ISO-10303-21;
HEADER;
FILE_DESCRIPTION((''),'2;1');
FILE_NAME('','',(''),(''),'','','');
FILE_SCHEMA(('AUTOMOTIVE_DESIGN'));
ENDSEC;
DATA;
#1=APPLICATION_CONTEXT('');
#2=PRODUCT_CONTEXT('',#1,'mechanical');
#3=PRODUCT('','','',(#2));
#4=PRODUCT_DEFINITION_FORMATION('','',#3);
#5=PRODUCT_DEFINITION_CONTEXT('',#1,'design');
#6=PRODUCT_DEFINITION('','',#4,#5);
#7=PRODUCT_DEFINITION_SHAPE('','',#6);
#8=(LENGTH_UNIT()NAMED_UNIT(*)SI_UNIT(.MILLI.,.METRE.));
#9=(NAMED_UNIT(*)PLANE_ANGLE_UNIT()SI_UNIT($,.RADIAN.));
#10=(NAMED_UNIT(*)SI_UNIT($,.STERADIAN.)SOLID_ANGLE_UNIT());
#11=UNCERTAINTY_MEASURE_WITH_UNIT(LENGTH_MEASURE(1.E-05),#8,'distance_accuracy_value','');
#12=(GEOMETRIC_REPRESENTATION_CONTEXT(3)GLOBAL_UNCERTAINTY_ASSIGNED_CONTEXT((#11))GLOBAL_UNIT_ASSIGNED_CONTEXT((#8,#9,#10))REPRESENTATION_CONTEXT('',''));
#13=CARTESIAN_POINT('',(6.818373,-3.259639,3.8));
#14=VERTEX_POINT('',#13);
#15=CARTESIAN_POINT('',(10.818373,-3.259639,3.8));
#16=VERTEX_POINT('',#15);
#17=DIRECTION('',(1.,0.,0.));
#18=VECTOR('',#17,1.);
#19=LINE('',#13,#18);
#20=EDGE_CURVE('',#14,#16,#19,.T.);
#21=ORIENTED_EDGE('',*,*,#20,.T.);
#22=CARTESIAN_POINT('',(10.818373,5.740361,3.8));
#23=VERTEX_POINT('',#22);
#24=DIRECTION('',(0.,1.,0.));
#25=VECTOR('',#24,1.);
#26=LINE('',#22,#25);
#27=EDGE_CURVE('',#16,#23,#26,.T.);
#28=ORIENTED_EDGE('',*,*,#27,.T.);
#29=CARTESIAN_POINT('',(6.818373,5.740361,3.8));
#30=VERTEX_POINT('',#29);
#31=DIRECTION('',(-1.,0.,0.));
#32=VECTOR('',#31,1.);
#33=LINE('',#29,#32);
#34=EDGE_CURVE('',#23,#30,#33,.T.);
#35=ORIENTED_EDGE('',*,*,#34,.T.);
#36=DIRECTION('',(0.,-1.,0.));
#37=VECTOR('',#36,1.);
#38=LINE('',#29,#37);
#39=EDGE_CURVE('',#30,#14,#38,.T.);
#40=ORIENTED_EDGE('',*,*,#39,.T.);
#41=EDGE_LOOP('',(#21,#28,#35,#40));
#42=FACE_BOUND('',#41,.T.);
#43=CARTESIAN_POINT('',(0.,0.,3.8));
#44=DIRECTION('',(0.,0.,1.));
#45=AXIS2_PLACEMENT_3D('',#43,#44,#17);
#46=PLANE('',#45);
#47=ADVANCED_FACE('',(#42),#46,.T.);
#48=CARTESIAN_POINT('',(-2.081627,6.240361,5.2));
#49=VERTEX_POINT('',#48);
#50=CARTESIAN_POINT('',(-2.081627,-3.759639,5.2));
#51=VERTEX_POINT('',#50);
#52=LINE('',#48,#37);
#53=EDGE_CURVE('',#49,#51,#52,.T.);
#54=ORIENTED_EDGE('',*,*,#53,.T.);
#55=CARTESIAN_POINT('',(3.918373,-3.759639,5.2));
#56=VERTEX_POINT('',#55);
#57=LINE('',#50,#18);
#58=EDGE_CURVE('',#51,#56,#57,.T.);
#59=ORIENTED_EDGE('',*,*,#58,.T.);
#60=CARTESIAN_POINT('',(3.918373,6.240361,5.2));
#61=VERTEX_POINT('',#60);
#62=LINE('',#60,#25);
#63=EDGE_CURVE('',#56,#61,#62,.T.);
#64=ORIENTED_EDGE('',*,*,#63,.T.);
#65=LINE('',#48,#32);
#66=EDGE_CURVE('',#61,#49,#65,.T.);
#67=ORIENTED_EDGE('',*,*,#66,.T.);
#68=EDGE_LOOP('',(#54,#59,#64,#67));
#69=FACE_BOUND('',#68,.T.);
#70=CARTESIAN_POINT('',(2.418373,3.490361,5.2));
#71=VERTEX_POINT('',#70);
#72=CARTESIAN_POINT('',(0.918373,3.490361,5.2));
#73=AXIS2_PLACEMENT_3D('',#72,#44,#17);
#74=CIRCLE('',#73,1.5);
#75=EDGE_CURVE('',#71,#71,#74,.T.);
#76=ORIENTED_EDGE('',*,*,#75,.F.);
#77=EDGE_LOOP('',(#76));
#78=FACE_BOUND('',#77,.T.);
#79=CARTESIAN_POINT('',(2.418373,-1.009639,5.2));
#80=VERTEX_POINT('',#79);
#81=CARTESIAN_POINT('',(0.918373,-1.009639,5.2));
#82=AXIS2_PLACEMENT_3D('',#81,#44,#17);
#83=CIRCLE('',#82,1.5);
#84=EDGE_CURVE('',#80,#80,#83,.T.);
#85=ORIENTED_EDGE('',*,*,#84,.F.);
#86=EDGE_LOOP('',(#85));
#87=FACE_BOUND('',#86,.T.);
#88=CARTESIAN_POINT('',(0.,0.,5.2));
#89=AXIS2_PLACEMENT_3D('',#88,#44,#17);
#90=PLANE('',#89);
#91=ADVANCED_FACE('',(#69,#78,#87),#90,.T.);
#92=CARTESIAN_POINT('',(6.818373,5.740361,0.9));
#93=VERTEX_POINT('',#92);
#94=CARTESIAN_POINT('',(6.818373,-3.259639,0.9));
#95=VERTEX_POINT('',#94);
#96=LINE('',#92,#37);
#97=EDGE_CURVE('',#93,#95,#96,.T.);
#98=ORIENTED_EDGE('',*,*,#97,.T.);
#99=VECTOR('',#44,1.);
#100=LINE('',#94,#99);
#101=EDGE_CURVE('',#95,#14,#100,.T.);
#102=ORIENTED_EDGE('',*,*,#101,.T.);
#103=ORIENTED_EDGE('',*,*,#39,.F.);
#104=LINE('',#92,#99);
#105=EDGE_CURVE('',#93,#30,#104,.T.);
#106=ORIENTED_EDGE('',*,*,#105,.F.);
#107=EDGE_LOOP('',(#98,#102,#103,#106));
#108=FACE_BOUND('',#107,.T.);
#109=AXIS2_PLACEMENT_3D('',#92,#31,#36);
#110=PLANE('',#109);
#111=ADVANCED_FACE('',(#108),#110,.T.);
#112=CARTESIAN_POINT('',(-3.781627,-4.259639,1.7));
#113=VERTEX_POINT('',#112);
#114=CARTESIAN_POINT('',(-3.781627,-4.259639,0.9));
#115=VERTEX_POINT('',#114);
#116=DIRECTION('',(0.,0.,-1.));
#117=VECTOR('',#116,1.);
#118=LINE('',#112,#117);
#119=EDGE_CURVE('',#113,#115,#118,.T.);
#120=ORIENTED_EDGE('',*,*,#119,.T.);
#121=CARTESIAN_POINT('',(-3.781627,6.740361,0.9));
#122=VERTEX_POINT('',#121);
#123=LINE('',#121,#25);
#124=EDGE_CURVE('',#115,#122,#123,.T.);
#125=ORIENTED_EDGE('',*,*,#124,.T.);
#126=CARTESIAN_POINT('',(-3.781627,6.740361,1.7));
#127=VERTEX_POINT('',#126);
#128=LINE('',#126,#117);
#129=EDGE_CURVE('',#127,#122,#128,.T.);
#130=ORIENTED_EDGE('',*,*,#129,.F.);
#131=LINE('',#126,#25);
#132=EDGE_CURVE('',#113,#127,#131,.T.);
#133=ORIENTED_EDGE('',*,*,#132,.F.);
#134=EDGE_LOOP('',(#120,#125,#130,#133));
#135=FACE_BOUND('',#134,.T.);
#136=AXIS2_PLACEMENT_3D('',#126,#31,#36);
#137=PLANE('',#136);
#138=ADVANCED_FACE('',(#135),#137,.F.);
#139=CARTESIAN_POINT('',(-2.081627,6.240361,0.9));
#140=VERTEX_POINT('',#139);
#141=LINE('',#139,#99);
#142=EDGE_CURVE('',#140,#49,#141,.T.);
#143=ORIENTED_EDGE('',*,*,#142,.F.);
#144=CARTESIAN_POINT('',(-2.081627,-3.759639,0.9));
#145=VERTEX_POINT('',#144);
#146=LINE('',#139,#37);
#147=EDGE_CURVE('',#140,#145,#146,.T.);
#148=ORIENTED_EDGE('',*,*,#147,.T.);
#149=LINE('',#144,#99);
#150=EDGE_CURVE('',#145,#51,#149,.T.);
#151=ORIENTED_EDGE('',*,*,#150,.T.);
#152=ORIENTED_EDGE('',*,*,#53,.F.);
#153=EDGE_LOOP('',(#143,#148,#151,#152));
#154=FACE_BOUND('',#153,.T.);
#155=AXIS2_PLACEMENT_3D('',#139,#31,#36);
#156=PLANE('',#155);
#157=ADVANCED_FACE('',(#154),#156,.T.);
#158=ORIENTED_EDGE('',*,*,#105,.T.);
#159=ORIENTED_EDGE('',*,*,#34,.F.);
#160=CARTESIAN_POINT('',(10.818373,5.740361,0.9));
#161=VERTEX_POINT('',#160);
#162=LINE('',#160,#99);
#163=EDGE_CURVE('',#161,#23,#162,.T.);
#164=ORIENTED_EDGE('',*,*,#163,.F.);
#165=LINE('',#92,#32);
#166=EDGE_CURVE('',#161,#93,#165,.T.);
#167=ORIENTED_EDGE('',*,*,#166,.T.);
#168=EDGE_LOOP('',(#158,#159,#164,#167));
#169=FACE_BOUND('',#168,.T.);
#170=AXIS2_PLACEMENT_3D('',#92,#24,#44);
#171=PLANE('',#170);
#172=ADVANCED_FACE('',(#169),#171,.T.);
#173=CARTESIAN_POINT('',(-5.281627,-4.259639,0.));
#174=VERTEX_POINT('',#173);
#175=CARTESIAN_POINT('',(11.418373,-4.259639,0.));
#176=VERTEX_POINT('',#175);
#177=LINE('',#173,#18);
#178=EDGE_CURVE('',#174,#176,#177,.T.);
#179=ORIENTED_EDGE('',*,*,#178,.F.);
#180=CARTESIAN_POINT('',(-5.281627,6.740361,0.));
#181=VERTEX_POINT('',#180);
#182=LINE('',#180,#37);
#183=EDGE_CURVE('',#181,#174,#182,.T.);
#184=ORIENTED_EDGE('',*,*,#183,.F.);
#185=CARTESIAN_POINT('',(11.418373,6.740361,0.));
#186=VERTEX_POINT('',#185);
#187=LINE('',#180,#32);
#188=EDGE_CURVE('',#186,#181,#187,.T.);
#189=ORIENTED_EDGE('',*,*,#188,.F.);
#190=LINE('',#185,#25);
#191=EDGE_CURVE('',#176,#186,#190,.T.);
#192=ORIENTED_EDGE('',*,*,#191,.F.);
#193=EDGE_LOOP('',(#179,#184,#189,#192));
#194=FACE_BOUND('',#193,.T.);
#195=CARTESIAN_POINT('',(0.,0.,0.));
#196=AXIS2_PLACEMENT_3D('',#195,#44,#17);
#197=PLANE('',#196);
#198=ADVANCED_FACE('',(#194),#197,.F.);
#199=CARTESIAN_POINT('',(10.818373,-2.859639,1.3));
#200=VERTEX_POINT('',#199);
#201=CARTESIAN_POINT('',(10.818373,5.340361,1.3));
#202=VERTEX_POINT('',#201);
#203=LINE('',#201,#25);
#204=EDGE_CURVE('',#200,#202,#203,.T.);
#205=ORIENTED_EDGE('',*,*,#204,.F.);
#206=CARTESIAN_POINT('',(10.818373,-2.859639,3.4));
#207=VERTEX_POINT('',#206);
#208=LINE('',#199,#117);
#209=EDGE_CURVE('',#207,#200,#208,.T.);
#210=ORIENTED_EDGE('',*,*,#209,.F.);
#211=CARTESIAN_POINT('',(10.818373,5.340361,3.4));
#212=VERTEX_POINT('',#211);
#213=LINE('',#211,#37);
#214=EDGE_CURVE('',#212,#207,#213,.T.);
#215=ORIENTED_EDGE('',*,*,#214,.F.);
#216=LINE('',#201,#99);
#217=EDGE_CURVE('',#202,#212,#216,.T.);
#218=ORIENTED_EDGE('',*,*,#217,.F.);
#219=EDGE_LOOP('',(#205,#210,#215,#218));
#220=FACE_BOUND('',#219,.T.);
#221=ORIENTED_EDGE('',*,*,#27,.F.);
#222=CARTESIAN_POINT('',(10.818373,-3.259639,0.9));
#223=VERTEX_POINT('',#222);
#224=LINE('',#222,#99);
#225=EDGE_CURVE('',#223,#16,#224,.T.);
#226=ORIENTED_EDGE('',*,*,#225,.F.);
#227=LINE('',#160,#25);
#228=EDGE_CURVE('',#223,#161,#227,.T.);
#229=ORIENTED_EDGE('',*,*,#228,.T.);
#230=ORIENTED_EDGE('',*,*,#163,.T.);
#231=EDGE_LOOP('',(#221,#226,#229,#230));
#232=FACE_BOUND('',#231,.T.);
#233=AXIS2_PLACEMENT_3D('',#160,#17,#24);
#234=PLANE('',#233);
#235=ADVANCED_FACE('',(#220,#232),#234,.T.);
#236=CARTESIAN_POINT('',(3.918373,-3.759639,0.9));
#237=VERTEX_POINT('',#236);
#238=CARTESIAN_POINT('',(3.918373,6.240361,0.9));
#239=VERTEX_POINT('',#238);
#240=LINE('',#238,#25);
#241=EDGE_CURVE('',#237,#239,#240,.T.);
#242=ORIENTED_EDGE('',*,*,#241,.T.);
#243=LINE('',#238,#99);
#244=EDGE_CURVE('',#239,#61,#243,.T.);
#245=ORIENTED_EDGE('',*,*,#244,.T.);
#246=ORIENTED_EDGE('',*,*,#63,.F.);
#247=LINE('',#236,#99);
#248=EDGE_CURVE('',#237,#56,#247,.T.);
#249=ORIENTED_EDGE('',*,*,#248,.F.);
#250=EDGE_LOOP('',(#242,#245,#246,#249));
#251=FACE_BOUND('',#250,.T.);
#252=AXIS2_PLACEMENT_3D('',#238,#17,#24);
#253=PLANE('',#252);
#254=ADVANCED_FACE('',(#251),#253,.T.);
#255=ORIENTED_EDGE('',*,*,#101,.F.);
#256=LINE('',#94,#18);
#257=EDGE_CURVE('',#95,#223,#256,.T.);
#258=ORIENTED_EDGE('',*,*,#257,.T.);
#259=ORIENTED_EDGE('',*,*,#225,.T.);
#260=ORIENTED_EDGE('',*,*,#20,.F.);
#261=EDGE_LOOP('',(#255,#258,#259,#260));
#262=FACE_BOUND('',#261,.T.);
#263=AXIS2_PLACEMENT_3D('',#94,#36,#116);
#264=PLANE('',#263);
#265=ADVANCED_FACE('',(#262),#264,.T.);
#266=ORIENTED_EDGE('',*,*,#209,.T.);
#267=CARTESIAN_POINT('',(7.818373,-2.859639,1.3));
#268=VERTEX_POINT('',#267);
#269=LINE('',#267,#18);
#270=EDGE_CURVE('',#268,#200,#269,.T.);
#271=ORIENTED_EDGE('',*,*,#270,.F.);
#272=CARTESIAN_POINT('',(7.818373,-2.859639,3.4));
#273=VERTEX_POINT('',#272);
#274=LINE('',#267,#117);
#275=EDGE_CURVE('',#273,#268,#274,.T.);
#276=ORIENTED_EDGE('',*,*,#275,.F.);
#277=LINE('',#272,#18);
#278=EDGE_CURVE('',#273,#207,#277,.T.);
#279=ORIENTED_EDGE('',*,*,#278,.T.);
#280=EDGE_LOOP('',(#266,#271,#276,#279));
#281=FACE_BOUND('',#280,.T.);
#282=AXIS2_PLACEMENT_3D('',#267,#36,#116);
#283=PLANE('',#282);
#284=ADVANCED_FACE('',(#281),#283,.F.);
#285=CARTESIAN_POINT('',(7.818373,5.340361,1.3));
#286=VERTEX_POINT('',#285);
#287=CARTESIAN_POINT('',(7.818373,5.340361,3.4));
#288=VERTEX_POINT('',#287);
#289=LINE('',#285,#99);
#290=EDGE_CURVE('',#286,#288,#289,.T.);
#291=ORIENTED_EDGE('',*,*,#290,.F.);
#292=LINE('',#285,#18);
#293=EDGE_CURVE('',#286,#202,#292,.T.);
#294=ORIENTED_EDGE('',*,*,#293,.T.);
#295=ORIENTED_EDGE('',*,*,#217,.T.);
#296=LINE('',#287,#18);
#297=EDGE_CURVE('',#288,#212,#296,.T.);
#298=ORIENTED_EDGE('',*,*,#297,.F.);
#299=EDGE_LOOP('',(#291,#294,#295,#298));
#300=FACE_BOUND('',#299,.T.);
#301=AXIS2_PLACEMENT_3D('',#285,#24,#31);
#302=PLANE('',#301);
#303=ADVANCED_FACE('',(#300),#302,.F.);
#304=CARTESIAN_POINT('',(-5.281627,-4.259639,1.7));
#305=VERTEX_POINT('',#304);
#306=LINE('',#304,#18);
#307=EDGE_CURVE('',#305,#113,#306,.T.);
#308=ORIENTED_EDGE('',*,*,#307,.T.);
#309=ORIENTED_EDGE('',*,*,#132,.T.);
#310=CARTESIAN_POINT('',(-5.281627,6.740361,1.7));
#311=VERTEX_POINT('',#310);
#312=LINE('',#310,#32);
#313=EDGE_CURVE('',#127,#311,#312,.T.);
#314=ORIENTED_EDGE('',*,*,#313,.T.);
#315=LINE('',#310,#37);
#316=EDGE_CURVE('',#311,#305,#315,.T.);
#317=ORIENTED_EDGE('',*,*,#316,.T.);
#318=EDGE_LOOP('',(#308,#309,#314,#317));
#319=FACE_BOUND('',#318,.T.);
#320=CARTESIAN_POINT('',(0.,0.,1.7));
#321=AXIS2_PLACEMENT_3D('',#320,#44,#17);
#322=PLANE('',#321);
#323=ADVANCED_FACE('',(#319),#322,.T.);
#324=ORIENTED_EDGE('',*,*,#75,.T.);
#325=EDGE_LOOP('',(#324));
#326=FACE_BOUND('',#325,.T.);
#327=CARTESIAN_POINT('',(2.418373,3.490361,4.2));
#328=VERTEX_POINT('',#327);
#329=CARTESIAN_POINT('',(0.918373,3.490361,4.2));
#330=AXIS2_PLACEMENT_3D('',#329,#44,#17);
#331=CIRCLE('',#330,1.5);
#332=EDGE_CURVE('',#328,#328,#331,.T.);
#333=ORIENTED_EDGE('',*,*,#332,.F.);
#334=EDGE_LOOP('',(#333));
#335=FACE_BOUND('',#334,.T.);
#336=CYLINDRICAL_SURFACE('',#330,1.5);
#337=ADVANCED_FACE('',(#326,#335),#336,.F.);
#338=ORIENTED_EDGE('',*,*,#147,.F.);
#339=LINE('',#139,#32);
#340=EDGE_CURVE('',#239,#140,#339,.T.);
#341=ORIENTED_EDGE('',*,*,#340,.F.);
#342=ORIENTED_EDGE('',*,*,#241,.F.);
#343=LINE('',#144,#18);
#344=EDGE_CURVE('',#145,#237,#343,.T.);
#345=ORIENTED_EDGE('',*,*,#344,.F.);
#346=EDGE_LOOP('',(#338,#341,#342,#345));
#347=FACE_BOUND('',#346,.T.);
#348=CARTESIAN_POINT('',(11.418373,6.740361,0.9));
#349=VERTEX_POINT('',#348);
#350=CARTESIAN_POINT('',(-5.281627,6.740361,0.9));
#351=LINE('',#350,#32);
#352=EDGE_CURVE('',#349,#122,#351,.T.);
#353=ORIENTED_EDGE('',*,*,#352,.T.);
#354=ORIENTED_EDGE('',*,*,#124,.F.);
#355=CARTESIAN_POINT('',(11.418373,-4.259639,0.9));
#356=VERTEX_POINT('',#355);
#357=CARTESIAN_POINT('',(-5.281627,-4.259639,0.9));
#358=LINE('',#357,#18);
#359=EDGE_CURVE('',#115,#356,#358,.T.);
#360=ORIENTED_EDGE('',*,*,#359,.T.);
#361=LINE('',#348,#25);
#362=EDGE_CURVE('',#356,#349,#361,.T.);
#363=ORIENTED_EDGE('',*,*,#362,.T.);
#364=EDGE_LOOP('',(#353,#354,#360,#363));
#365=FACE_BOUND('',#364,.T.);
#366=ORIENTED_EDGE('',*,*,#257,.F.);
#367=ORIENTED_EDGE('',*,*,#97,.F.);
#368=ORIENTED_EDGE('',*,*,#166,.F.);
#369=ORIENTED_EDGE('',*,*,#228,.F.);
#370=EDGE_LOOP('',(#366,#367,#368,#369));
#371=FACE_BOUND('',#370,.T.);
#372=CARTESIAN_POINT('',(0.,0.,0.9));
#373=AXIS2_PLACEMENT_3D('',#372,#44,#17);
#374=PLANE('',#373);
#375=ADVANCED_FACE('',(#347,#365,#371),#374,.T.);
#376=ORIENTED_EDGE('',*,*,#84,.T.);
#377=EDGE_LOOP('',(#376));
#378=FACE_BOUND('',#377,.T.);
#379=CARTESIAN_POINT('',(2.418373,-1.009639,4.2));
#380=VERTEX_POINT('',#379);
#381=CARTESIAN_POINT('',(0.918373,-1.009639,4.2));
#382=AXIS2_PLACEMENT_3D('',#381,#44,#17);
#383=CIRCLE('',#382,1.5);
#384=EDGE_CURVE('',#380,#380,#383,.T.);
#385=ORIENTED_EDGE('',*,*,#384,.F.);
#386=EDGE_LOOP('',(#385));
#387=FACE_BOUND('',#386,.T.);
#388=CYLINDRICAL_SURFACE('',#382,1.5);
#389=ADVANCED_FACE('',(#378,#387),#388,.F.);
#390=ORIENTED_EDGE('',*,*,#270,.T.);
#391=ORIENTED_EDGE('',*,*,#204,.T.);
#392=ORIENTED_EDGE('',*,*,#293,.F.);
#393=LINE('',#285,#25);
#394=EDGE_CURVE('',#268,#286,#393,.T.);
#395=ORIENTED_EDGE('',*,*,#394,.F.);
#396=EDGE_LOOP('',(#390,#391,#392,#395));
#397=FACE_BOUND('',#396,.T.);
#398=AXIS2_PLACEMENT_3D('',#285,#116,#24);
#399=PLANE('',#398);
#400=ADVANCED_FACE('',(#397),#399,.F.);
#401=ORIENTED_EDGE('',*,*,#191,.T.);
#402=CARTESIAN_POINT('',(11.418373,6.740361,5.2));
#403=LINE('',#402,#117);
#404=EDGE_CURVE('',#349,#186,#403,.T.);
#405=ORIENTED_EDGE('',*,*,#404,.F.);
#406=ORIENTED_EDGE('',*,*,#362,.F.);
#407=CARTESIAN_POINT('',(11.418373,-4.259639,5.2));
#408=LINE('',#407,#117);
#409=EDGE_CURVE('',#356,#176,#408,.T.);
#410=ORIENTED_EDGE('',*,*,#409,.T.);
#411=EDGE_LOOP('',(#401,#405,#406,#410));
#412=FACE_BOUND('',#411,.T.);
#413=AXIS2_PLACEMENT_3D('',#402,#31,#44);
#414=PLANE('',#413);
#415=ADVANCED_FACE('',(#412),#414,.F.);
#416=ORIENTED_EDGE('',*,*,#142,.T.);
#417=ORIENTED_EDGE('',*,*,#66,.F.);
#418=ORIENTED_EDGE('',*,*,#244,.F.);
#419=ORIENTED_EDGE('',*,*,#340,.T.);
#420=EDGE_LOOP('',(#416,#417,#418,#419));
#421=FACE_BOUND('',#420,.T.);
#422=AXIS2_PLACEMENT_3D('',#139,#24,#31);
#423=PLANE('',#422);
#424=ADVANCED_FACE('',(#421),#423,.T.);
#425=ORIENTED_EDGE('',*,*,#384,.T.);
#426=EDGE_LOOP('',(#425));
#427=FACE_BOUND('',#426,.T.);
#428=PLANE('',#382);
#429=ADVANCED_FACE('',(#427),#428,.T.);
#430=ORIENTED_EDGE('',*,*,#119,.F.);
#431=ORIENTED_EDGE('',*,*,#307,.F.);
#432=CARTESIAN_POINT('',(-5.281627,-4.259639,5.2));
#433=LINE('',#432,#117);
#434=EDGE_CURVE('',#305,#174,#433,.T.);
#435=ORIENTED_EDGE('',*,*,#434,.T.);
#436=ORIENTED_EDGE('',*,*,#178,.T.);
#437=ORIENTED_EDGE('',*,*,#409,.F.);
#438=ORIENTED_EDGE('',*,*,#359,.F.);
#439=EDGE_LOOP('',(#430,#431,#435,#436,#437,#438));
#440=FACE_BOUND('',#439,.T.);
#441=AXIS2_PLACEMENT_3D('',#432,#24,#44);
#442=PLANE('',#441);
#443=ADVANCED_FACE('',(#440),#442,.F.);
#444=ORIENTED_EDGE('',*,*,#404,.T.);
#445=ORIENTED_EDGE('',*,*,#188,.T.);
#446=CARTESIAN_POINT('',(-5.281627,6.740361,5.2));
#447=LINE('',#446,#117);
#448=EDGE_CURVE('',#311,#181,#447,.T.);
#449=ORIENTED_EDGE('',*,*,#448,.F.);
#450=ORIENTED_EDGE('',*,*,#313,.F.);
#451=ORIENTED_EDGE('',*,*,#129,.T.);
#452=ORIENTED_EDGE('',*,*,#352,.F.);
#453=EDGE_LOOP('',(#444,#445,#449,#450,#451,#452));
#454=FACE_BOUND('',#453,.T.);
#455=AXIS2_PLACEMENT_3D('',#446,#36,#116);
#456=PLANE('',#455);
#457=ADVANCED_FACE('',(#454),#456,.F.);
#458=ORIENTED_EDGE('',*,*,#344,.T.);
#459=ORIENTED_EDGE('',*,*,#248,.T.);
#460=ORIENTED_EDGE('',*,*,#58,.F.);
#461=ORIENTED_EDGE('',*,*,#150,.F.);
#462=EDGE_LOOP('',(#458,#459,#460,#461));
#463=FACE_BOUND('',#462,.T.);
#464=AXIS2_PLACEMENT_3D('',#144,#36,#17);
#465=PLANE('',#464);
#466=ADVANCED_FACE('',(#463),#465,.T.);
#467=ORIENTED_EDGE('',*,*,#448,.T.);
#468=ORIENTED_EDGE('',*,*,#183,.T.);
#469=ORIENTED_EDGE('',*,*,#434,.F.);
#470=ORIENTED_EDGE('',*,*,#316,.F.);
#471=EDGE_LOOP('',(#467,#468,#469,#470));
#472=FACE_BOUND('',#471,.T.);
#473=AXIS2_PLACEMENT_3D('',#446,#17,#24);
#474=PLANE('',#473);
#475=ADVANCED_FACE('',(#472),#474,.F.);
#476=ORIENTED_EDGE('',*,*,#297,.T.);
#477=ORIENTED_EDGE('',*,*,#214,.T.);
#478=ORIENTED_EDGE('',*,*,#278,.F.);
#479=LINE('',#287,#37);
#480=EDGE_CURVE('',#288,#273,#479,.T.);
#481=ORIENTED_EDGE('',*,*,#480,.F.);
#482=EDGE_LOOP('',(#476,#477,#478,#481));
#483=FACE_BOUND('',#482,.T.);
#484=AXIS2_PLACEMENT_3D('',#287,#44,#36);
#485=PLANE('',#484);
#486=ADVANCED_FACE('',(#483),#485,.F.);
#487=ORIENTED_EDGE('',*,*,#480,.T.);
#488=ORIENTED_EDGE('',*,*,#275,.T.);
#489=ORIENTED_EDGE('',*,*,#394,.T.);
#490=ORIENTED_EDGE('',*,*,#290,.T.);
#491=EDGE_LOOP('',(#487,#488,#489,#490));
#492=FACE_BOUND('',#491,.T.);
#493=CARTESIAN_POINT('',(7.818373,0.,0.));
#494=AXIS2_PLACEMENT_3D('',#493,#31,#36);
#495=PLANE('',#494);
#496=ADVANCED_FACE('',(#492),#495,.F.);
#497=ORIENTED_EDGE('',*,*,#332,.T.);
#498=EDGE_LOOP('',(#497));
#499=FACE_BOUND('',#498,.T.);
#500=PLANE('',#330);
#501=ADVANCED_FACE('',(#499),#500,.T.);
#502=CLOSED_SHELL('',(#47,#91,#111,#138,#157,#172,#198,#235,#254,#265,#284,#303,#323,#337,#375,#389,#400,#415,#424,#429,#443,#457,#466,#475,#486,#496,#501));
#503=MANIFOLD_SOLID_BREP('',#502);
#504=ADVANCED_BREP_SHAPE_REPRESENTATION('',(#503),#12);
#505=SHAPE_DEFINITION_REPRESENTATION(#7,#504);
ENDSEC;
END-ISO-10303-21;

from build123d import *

# Parameters (mm, degrees)
ESBO_O1_W                = 16.7
ESBO_O1_H                = 11
RESSALTO_EXTRUS_O1_DEPTH = 5.2
ESBO_O2_W                = 16.7
ESBO_O2_H                = 11
ESBO_O2_W_2              = 6
ESBO_O2_H_2              = 10
ESBO_O2_W_3              = 4
ESBO_O2_H_3              = 9
CORTE_EXTRUS_O1_DEPTH    = 4.3
ESBO_O3_W                = 4
ESBO_O3_H                = 9
CORTE_EXTRUS_O2_DEPTH    = 1.4
ESBO_O4_R                = 1.5
CORTE_EXTRUS_O3_DEPTH    = 1
ESBO_O5_W                = 2.1
ESBO_O5_H                = 8.2
CORTE_EXTRUS_O4_DEPTH    = 3
ESBO_O6_W                = 1.5
ESBO_O6_H                = 11
RESSALTO_EXTRUS_O2_DEPTH = 0.8


with BuildPart() as part:
    # Esboço1 → Ressalto-extrusão1 (new body)
    with BuildSketch(Plane.XY):
        with Locations((3.068373494, 1.240361446)):
            Rectangle(ESBO_O1_W, ESBO_O1_H)
    extrude(amount=RESSALTO_EXTRUS_O1_DEPTH)

    # Esboço2 → Corte-extrusão1 (cut)
    with BuildSketch(Plane.XY.offset(5.2)):
        with Locations((3.068373494, 1.240361446)):
            Rectangle(ESBO_O2_W, ESBO_O2_H)
        with Locations((0.918373494, 1.240361446)):
            Rectangle(ESBO_O2_W_2, ESBO_O2_H_2, mode=Mode.SUBTRACT)
        with Locations((8.818373494, 1.240361446)):
            Rectangle(ESBO_O2_W_3, ESBO_O2_H_3, mode=Mode.SUBTRACT)
    extrude(amount=-CORTE_EXTRUS_O1_DEPTH, mode=Mode.SUBTRACT)

    # Esboço3 → Corte-extrusão2 (cut)
    with BuildSketch(Plane.XY.offset(5.2)):
        with Locations((8.818373494, 1.240361446)):
            Rectangle(ESBO_O3_W, ESBO_O3_H)
    extrude(amount=-CORTE_EXTRUS_O2_DEPTH, mode=Mode.SUBTRACT)

    # Esboço4 → Corte-extrusão3 (cut)
    with BuildSketch(Plane.XY.offset(5.2)):
        with Locations((0.918373494, 3.490361446)):
            Circle(ESBO_O4_R)
        with Locations((0.918373494, -1.009638554)):
            Circle(ESBO_O4_R)
    extrude(amount=-CORTE_EXTRUS_O3_DEPTH, mode=Mode.SUBTRACT)

    # Esboço5 → Corte-extrusão4 (cut)
    with BuildSketch(Plane(origin=(10.818373494, 0, 0), x_dir=(0, 0, -1), z_dir=(1, 0, 0))):
        with Locations((-2.35, 1.240361446)):
            Rectangle(ESBO_O5_W, ESBO_O5_H)
    extrude(amount=-CORTE_EXTRUS_O4_DEPTH, mode=Mode.SUBTRACT)

    # Esboço6 → Ressalto-extrusão2 (add)
    with BuildSketch(Plane.XY.offset(0.9)):
        with Locations((-4.531626506, 1.240361446)):
            Rectangle(ESBO_O6_W, ESBO_O6_H)
    extrude(amount=RESSALTO_EXTRUS_O2_DEPTH)


solid = part.part
